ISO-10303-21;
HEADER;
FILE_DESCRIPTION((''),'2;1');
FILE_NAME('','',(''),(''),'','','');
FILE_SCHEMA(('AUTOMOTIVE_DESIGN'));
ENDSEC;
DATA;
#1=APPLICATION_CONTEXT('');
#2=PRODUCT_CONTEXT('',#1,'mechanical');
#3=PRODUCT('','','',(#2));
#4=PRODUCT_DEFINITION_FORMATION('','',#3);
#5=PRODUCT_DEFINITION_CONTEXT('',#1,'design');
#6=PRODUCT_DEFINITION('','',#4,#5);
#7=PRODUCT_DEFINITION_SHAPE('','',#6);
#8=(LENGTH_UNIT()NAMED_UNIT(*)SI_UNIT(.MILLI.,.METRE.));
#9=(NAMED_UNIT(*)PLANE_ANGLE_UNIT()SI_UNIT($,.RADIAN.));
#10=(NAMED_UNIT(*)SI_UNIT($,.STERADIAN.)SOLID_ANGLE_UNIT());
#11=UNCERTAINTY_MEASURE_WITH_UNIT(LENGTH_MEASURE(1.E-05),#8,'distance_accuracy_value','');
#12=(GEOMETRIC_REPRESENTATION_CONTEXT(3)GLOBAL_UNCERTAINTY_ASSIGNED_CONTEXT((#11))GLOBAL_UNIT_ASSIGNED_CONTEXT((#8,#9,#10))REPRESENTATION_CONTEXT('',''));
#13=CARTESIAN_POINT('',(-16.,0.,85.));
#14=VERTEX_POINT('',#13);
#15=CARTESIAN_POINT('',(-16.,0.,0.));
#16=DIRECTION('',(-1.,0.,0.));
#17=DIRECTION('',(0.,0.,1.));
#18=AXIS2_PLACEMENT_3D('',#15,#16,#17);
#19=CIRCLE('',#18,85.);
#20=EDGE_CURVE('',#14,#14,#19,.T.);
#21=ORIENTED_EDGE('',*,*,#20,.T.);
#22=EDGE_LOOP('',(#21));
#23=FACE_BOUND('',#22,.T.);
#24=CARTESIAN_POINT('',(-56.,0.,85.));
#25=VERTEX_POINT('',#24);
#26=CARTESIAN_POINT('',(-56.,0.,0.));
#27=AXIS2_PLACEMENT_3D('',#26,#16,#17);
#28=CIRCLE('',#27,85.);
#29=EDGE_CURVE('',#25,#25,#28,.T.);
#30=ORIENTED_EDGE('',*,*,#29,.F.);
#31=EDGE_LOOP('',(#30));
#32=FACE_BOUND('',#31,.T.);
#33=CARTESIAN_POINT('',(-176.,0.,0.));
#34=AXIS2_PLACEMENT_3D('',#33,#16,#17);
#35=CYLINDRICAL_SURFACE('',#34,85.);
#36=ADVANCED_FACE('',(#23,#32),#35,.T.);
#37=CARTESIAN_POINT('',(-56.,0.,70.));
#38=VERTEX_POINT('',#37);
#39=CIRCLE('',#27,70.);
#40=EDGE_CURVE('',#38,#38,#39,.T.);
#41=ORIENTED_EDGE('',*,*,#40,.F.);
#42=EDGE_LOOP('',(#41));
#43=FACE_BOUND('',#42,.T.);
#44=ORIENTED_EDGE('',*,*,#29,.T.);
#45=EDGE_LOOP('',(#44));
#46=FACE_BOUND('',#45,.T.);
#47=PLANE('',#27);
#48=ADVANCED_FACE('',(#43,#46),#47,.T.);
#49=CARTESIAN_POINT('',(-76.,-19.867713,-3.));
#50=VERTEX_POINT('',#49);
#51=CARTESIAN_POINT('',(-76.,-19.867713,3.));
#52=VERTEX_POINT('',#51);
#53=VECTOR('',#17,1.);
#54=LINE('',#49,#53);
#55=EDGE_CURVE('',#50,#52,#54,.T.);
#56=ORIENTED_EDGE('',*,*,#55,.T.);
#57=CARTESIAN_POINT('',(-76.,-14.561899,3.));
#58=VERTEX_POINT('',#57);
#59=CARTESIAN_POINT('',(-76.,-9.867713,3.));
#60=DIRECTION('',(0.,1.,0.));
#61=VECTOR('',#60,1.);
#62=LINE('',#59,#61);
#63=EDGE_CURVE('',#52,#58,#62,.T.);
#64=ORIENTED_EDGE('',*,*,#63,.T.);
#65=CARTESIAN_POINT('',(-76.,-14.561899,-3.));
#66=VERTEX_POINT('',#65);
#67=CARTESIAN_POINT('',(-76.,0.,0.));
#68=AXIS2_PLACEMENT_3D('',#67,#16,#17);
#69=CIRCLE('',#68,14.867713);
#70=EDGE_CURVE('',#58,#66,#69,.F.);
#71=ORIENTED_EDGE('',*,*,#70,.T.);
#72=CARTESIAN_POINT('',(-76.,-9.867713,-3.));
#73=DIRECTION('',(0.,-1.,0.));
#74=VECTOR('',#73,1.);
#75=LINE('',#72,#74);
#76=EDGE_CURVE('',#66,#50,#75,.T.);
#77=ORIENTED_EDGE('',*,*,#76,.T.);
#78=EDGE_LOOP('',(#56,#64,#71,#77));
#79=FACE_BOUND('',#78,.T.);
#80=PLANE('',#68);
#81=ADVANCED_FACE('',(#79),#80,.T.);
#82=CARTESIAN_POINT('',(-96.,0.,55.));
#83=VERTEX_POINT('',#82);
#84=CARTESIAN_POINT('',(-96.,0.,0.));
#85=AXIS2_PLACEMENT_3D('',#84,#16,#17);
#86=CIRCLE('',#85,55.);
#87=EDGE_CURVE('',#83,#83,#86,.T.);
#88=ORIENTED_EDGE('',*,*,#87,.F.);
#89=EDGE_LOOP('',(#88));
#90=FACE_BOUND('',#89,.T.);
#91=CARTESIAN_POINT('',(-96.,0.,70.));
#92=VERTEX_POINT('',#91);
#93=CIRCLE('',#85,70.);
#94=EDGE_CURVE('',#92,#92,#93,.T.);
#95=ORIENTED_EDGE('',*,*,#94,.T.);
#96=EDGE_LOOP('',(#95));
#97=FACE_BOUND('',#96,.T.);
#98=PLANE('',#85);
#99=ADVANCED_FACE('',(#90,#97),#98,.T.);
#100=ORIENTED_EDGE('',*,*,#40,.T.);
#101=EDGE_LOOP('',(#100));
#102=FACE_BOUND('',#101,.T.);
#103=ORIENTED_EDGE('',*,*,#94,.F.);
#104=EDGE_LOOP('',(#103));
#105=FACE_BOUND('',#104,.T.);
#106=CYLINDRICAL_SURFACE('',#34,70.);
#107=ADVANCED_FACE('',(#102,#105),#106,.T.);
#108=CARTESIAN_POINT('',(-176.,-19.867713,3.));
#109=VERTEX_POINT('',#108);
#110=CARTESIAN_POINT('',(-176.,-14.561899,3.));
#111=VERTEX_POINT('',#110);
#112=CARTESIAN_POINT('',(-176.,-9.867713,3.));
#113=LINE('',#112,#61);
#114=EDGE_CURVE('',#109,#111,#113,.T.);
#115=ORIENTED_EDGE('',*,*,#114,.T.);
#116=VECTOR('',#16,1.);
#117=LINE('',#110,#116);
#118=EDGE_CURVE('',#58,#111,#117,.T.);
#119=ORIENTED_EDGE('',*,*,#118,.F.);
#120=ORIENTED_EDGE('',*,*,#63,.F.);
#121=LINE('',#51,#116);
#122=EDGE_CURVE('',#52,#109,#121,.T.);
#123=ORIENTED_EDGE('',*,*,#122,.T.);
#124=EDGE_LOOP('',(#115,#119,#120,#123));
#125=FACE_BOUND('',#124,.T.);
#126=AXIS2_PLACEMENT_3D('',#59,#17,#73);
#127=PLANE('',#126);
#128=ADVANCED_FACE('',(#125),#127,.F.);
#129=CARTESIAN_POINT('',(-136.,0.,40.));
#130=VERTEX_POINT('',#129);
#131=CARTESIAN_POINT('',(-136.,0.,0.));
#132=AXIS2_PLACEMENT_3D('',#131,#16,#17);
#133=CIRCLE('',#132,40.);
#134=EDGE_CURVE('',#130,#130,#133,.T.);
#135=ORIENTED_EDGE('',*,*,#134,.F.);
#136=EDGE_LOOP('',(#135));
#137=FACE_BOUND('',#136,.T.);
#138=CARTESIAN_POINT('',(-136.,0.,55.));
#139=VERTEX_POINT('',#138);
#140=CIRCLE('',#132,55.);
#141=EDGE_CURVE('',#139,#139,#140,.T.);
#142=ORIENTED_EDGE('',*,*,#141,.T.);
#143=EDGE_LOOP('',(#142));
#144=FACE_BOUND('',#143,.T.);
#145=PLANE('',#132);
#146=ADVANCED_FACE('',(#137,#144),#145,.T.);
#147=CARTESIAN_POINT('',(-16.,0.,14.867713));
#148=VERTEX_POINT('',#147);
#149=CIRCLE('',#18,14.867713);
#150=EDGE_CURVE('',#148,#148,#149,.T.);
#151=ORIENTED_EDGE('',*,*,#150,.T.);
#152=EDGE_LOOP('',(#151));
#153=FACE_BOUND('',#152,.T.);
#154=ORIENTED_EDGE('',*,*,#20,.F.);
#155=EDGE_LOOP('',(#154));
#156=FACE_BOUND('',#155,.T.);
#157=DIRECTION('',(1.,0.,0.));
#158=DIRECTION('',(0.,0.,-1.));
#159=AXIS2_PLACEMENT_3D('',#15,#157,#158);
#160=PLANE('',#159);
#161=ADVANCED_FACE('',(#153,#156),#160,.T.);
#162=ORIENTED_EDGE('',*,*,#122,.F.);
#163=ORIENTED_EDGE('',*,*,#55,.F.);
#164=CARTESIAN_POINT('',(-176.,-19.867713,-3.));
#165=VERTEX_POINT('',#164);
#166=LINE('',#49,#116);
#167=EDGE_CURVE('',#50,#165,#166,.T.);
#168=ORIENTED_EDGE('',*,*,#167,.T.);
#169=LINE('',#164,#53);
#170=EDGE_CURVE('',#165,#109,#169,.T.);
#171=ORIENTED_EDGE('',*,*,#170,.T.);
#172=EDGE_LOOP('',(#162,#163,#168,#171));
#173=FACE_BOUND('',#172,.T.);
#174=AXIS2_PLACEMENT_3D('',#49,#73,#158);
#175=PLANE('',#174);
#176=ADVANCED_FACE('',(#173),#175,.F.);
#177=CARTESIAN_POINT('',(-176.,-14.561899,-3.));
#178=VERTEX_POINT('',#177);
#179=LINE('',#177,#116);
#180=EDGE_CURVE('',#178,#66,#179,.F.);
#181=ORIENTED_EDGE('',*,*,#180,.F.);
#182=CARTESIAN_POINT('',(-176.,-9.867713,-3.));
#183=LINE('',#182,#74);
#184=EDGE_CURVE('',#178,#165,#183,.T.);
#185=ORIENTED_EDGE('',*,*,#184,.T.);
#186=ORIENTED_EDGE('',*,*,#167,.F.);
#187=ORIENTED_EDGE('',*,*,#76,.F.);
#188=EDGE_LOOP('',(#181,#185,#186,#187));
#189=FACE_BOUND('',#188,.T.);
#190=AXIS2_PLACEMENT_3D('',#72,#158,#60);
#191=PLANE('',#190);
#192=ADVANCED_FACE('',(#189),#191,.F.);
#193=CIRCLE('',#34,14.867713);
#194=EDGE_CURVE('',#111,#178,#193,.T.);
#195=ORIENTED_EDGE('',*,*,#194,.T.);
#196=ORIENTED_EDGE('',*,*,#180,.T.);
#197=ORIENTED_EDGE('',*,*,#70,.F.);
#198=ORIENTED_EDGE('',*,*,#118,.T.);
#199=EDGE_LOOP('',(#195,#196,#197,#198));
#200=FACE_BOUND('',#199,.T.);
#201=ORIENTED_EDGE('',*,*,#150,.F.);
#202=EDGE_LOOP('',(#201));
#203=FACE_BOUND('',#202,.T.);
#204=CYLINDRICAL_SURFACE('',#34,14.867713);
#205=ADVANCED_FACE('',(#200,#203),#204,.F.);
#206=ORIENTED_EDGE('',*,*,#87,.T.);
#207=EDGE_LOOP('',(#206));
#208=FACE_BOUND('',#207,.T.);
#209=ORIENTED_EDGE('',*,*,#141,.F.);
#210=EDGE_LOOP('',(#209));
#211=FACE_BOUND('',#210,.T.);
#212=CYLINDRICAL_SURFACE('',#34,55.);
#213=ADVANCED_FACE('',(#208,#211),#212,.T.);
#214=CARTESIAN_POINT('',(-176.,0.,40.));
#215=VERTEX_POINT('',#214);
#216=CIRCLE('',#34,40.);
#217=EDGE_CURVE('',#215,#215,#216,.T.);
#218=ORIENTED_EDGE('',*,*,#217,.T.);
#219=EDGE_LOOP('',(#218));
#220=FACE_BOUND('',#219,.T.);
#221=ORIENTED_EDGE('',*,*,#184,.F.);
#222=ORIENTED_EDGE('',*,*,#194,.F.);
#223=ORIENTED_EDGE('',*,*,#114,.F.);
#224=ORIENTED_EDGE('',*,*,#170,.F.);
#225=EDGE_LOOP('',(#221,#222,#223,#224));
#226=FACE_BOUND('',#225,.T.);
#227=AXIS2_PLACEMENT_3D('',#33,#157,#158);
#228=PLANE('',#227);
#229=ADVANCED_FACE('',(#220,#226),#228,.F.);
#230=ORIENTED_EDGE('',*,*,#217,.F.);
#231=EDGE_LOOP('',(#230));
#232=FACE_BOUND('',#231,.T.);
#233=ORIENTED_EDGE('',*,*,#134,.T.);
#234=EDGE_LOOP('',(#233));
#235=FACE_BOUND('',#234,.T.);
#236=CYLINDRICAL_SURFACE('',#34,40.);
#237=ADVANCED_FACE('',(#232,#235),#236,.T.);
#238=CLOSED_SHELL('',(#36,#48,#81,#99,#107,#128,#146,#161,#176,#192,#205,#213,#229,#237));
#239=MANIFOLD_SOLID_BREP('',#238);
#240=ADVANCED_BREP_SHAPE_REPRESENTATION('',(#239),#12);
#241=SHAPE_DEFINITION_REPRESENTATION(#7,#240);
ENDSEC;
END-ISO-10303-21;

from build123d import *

# Parameters (mm, degrees)
SKETCH2_W          = 6
SKETCH2_H          = 10
CUT_EXTRUDE3_DEPTH = 100


with BuildPart() as part:
    # Sketch1 → Revolve2 (revolve)
    with BuildSketch(Plane.XY, mode=Mode.PRIVATE) as revolve2_sk:
        Polygon((-45.142857143, 22.857142857), (-176, 22.857142857), (-176, 14.867713129), (-16, 14.867713129), (-16, 22.857142857), align=None)
        Polygon((-136, 40), (-176, 40), (-176, 22.857142857), (-45.142857143, 22.857142857), (-45.142857143, 37.142857143), (-128, 37.142857143), (-128, 47), (-88, 47), (-88, 62), (-48, 62), (-48, 77), (-16, 77), (-16, 85), (-56, 85), (-56, 70), (-96, 70), (-96, 55), (-136, 55), align=None)
        Polygon((-45.142857143, 37.142857143), (-45.142857143, 22.857142857), (-16, 22.857142857), (-16, 77), (-48, 77), (-48, 62), (-88, 62), (-88, 47), (-128, 47), (-128, 37.142857143), align=None)
    revolve(revolve2_sk.sketch.rotate(Axis((-176, 0, 0), (1, 0, 0)), 90), axis=Axis((-176, 0, 0), (1, 0, 0)))

    # Sketch2 → Cut-Extrude3 (cut)
    with BuildSketch(Plane.ZY.offset(176)):
        with Locations((0, -14.867713129)):
            Rectangle(SKETCH2_W, SKETCH2_H)
    extrude(amount=-CUT_EXTRUDE3_DEPTH, mode=Mode.SUBTRACT)


solid = part.part
